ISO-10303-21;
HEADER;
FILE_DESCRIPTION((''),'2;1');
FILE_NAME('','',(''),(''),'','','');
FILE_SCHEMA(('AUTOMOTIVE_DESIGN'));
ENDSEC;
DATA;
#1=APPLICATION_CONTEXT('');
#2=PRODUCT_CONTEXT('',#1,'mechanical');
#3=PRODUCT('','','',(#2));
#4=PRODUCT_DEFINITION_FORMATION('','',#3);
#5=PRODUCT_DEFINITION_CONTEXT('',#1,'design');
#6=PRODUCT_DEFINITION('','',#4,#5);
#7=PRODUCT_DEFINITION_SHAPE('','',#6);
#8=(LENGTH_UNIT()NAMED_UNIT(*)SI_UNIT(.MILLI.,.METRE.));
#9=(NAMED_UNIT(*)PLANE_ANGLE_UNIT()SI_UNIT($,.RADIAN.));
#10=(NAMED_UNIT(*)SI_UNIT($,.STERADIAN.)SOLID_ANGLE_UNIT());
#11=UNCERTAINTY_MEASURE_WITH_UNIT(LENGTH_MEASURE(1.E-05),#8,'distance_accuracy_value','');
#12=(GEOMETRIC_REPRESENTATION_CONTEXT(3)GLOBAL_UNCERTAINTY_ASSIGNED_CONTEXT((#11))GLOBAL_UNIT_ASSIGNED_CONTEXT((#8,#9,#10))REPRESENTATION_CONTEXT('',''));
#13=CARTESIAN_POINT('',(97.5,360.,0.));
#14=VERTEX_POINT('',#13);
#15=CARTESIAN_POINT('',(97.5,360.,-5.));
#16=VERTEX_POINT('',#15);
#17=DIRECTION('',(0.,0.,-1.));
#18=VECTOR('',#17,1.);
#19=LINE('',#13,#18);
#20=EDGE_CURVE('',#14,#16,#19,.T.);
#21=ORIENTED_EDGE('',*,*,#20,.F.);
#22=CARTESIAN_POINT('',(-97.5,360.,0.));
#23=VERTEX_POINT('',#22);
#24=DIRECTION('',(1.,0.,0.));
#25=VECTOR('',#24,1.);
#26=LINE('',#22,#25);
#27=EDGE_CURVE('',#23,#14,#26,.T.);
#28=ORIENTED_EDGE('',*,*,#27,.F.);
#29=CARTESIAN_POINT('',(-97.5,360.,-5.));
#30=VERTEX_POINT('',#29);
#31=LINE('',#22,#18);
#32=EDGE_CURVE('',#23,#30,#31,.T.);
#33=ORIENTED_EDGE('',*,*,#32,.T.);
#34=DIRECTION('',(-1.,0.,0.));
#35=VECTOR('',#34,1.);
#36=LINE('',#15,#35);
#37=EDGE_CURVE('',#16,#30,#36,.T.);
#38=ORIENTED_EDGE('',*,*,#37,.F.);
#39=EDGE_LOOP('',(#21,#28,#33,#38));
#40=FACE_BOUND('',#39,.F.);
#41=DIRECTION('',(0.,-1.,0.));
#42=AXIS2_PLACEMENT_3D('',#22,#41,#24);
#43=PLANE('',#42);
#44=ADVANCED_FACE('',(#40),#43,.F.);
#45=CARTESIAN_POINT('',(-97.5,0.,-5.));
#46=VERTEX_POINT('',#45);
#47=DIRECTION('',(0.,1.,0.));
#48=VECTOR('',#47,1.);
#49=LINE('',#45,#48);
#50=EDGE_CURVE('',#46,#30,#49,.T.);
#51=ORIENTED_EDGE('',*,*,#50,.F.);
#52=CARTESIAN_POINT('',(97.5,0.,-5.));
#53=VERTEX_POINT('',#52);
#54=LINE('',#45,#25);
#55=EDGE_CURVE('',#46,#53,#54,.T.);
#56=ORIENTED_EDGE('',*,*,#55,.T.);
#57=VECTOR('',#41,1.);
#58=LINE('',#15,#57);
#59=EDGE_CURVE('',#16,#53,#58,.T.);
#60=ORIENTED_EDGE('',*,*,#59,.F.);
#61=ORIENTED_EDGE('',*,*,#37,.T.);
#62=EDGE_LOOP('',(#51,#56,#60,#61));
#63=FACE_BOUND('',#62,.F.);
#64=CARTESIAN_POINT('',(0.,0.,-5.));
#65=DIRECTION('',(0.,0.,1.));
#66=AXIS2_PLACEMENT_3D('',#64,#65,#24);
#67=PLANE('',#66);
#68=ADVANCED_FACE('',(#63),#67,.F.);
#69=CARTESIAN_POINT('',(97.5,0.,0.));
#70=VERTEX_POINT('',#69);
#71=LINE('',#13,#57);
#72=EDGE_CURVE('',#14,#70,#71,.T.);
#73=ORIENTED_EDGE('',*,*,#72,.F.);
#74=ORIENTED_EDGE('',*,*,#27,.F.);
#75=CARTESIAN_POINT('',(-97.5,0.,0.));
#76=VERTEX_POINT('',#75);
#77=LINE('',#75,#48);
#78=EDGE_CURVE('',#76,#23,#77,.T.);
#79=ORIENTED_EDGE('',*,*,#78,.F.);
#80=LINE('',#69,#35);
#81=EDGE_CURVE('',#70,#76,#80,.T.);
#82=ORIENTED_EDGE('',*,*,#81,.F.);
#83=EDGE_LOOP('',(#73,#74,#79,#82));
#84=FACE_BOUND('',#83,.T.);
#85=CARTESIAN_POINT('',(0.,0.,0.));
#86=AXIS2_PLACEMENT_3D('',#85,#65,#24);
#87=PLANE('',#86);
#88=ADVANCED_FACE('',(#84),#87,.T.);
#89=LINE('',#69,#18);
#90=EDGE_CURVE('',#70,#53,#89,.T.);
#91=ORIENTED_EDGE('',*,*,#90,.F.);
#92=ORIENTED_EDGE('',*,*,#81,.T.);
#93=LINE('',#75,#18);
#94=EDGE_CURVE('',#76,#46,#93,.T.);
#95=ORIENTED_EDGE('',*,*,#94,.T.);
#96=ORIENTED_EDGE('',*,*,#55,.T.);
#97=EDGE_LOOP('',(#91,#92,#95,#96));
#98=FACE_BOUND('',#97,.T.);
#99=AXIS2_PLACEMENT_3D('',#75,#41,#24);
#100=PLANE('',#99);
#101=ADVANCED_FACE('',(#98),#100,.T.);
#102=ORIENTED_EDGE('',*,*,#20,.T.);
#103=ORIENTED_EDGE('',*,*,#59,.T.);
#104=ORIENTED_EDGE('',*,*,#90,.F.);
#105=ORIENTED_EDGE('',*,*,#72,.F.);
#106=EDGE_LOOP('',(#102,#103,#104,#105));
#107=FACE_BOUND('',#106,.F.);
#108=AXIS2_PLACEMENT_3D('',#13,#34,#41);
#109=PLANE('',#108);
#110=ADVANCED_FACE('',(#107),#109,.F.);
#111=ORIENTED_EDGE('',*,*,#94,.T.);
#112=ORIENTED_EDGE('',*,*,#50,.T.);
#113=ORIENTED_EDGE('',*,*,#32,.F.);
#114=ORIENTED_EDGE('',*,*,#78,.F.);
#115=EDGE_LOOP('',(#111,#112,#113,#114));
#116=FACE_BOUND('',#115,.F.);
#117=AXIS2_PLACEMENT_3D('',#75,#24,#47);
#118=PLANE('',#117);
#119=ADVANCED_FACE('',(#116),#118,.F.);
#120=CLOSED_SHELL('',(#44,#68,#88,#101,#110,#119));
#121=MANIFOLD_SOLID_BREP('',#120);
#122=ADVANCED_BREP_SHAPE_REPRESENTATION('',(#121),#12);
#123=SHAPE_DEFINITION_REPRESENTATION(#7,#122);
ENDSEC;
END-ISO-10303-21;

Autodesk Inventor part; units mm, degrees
ref_plane "YZ Plane" through (0, 0, 0) normal (1, 0, 0) x (0, 1, 0)
ref_plane "XZ Plane" through (0, 0, 0) normal (0, 1, 0) x (-1, 0, 0)
ref_plane "XY Plane" through (0, 0, 0) normal (0, 0, 1) x (1, 0, 0)
sketch "Sketch1" plane through (0, 0, 0) normal (0, 0, 1) x (1, 0, 0)
  line L0 (-136.5, 0) -> (136.5, 0)
  line L1 (0, 432) -> (0, -72)
  line L2 (-97.5, 360) -> (97.5, 360)
  line L3 (97.5, 360) -> (97.5, 0)
  line L4 (97.5, 0) -> (-97.5, 0)
  line L5 (-97.5, 0) -> (-97.5, 360)
  point P0 (0, 0)
  dimension "d0" = 195
  dimension "d1" = 360
  dimension "d2" = 97.5
extrude "Plate1" add sketch "Sketch1" against normal blind 5
equation "\"d2\" = 0.5 * d0"
equation "\"d3\" = Thickness"
equation "\"BendRadius\" = Thickness"
equation "\"BendReliefWidth\" = Thickness"
equation "\"BendReliefDepth\" = 0.5 * Thickness"
equation "\"TransitionRadius\" = BendRadius"
equation "\"JacobiRadiusSize\" = BendRadius"
equation "\"GapSize\" = Thickness"
equation "\"Thickness\" = 5"
properties part number "FRONT_SIDE_CETIN_PART_BOX" material "PVC, Unplasticized"
